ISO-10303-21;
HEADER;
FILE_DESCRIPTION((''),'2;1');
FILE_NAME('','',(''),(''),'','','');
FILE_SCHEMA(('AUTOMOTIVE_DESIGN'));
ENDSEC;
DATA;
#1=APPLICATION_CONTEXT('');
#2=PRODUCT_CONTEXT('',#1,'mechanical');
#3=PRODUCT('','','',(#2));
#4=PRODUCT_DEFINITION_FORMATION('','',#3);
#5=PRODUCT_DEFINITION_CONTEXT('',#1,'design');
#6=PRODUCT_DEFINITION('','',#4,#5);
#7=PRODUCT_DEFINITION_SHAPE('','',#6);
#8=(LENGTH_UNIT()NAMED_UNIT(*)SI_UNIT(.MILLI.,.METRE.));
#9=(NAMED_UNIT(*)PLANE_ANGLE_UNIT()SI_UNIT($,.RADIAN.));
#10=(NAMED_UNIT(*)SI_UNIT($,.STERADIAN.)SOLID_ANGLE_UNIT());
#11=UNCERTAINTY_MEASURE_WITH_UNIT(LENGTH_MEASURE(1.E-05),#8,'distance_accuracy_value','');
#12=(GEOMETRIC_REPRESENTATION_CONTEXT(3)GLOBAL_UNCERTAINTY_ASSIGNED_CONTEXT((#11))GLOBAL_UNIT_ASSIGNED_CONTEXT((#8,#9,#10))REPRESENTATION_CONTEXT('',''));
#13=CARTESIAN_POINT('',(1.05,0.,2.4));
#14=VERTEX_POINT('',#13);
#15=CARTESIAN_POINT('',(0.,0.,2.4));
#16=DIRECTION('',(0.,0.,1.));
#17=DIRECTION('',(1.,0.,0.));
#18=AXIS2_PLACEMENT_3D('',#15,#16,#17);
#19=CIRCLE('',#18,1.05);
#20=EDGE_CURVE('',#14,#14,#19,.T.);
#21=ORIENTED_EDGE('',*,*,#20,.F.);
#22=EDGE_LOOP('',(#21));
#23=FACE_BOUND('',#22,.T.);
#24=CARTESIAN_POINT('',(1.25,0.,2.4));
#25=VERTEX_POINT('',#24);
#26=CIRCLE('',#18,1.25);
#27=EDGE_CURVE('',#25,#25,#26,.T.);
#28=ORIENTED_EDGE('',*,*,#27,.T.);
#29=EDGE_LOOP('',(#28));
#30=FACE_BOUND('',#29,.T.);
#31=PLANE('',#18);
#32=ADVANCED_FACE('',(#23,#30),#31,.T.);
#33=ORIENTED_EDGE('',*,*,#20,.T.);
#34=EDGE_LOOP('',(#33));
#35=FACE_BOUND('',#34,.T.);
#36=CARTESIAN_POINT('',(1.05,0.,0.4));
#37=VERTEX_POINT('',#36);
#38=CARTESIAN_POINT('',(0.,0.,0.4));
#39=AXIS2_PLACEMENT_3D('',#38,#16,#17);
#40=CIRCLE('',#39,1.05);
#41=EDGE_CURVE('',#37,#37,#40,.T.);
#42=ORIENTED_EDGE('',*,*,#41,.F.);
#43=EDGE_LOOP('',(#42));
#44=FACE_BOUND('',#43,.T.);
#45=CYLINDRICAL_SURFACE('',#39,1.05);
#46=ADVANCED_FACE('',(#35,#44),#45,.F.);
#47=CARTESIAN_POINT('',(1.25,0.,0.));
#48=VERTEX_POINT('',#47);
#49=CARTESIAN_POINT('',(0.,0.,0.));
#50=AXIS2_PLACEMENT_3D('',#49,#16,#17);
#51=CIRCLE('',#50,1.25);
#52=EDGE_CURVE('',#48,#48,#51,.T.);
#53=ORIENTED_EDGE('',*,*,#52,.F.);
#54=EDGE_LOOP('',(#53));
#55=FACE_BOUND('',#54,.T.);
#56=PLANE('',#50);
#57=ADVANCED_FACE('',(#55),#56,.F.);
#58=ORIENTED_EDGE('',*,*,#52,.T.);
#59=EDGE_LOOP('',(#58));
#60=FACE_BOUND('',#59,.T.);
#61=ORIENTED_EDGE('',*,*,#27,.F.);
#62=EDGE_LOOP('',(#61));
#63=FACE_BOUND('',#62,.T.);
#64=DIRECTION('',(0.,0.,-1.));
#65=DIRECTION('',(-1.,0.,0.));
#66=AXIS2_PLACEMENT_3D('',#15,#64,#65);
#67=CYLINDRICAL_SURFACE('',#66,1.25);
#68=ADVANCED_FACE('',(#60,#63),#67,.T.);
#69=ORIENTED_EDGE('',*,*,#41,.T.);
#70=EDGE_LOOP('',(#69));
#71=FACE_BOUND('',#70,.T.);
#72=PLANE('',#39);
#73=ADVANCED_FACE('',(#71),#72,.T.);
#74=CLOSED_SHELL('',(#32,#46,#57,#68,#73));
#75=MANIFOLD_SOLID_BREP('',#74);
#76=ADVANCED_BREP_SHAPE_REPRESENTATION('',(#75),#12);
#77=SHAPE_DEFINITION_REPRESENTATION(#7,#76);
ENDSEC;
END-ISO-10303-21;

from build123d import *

# Parameters (mm, degrees)
SKETCH1_R           = 1.25
BOSS_EXTRUDE1_DEPTH = 2.4
SKETCH2_R           = 1.05
CUT_EXTRUDE1_DEPTH  = 2


with BuildPart() as part:
    # Sketch1 → Boss-Extrude1 (new body)
    with BuildSketch(Plane.XY):
        Circle(SKETCH1_R)
    extrude(amount=BOSS_EXTRUDE1_DEPTH)

    # Sketch2 → Cut-Extrude1 (cut)
    with BuildSketch(Plane.XY.offset(2.4)):
        Circle(SKETCH2_R)
    extrude(amount=-CUT_EXTRUDE1_DEPTH, mode=Mode.SUBTRACT)


solid = part.part
